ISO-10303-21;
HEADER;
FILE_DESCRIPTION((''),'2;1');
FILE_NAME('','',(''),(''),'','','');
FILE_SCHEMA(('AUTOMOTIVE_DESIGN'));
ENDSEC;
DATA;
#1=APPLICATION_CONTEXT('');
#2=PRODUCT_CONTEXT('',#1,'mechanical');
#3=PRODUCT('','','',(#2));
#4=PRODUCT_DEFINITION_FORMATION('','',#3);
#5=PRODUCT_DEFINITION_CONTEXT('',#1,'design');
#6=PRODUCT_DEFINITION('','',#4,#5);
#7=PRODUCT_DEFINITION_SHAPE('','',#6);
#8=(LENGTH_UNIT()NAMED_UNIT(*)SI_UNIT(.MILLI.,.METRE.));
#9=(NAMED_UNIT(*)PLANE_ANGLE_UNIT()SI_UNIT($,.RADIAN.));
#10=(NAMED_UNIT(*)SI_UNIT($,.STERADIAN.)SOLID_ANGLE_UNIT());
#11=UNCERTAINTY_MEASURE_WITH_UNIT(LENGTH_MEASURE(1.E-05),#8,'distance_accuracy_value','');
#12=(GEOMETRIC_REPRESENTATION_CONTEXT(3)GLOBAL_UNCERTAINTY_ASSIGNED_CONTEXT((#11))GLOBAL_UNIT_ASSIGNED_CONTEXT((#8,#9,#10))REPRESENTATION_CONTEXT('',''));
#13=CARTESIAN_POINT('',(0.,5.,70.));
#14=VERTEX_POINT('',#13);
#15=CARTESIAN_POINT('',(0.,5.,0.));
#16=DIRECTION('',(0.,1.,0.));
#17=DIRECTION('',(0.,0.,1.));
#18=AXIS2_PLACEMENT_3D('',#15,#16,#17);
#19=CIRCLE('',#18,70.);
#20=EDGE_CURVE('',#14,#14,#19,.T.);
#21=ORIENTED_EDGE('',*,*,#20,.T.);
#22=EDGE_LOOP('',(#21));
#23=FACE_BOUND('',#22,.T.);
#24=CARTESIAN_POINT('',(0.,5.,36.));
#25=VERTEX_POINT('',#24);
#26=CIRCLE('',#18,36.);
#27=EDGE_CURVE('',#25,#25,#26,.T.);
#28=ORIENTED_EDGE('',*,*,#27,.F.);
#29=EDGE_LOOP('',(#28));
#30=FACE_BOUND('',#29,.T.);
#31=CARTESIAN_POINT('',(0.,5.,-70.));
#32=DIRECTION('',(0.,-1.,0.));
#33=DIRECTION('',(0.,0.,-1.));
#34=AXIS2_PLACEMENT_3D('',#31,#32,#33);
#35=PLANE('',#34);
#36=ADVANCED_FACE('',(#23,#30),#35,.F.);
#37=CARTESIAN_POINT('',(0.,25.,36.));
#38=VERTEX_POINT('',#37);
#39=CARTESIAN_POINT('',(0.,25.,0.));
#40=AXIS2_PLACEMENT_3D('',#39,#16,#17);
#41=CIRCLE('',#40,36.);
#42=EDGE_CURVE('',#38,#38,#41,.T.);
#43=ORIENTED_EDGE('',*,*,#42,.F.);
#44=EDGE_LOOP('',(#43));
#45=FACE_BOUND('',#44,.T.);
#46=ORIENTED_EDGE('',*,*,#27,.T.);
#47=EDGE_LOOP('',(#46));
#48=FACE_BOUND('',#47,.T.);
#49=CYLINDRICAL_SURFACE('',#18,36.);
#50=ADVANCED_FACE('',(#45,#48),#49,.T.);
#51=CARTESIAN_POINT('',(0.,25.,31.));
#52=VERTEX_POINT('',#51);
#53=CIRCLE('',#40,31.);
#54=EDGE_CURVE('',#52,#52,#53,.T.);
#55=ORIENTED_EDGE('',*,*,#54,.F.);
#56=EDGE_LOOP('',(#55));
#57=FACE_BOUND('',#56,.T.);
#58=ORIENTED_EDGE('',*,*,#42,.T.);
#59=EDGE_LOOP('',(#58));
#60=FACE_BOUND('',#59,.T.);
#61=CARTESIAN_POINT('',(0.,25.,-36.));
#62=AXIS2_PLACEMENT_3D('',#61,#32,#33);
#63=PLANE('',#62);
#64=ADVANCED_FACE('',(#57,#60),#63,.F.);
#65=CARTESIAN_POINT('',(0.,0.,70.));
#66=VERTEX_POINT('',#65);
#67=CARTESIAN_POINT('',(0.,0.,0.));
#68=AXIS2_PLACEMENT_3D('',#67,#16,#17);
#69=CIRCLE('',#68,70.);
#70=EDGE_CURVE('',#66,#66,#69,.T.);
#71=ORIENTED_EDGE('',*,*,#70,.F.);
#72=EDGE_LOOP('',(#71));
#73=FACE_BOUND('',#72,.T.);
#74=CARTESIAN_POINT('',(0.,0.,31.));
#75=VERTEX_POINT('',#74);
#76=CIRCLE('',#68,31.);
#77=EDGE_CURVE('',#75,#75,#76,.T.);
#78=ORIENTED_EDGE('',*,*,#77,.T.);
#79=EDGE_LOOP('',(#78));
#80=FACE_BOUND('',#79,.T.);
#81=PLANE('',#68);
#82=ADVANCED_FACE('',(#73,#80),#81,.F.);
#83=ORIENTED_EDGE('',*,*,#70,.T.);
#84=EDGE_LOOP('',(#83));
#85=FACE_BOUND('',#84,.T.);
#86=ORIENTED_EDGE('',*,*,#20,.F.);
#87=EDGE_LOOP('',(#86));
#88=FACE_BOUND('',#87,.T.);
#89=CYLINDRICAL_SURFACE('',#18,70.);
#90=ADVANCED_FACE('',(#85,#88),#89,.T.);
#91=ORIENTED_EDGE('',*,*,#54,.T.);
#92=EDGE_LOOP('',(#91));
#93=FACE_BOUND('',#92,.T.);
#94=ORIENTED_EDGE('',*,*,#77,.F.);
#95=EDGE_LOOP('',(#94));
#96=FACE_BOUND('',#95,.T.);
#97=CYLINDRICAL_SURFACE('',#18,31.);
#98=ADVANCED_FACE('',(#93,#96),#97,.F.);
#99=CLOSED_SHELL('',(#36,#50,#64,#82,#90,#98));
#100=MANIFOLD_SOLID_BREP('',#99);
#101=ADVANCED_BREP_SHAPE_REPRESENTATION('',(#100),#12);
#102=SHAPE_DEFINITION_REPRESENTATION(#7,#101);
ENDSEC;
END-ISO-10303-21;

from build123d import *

# Parameters (mm, degrees)
CUT_EXTRUDE1_START = -10
SKETCH3_R          = 31
CUT_EXTRUDE1_DEPTH = 10


with BuildPart() as part:
    # Sketch1 → Revolve1 (revolve)
    with BuildSketch(Plane(origin=(0, 0, 0), x_dir=(0, 0, -1), z_dir=(1, 0, 0)), mode=Mode.PRIVATE) as revolve1_sk:
        Polygon((0, 0), (70, 0), (70, 5), (36, 5), (36, 25), (31, 25), (31, 5), (0, 5), align=None)
    revolve(revolve1_sk.sketch.rotate(Axis((0, 5, 0), (0, -1, 0)), 180), axis=Axis((0, 5, 0), (0, -1, 0)))

    # Sketch3 → Cut-Extrude1 (cut)
    with BuildSketch(Plane(origin=(0, 5, 0), x_dir=(1, 0, 0), z_dir=(0, 1, 0)).offset(CUT_EXTRUDE1_START)):
        with Locations(Location((0, 0, 0), (0, 0, 270))):
            Circle(SKETCH3_R)
    extrude(amount=CUT_EXTRUDE1_DEPTH, mode=Mode.SUBTRACT)


solid = part.part
